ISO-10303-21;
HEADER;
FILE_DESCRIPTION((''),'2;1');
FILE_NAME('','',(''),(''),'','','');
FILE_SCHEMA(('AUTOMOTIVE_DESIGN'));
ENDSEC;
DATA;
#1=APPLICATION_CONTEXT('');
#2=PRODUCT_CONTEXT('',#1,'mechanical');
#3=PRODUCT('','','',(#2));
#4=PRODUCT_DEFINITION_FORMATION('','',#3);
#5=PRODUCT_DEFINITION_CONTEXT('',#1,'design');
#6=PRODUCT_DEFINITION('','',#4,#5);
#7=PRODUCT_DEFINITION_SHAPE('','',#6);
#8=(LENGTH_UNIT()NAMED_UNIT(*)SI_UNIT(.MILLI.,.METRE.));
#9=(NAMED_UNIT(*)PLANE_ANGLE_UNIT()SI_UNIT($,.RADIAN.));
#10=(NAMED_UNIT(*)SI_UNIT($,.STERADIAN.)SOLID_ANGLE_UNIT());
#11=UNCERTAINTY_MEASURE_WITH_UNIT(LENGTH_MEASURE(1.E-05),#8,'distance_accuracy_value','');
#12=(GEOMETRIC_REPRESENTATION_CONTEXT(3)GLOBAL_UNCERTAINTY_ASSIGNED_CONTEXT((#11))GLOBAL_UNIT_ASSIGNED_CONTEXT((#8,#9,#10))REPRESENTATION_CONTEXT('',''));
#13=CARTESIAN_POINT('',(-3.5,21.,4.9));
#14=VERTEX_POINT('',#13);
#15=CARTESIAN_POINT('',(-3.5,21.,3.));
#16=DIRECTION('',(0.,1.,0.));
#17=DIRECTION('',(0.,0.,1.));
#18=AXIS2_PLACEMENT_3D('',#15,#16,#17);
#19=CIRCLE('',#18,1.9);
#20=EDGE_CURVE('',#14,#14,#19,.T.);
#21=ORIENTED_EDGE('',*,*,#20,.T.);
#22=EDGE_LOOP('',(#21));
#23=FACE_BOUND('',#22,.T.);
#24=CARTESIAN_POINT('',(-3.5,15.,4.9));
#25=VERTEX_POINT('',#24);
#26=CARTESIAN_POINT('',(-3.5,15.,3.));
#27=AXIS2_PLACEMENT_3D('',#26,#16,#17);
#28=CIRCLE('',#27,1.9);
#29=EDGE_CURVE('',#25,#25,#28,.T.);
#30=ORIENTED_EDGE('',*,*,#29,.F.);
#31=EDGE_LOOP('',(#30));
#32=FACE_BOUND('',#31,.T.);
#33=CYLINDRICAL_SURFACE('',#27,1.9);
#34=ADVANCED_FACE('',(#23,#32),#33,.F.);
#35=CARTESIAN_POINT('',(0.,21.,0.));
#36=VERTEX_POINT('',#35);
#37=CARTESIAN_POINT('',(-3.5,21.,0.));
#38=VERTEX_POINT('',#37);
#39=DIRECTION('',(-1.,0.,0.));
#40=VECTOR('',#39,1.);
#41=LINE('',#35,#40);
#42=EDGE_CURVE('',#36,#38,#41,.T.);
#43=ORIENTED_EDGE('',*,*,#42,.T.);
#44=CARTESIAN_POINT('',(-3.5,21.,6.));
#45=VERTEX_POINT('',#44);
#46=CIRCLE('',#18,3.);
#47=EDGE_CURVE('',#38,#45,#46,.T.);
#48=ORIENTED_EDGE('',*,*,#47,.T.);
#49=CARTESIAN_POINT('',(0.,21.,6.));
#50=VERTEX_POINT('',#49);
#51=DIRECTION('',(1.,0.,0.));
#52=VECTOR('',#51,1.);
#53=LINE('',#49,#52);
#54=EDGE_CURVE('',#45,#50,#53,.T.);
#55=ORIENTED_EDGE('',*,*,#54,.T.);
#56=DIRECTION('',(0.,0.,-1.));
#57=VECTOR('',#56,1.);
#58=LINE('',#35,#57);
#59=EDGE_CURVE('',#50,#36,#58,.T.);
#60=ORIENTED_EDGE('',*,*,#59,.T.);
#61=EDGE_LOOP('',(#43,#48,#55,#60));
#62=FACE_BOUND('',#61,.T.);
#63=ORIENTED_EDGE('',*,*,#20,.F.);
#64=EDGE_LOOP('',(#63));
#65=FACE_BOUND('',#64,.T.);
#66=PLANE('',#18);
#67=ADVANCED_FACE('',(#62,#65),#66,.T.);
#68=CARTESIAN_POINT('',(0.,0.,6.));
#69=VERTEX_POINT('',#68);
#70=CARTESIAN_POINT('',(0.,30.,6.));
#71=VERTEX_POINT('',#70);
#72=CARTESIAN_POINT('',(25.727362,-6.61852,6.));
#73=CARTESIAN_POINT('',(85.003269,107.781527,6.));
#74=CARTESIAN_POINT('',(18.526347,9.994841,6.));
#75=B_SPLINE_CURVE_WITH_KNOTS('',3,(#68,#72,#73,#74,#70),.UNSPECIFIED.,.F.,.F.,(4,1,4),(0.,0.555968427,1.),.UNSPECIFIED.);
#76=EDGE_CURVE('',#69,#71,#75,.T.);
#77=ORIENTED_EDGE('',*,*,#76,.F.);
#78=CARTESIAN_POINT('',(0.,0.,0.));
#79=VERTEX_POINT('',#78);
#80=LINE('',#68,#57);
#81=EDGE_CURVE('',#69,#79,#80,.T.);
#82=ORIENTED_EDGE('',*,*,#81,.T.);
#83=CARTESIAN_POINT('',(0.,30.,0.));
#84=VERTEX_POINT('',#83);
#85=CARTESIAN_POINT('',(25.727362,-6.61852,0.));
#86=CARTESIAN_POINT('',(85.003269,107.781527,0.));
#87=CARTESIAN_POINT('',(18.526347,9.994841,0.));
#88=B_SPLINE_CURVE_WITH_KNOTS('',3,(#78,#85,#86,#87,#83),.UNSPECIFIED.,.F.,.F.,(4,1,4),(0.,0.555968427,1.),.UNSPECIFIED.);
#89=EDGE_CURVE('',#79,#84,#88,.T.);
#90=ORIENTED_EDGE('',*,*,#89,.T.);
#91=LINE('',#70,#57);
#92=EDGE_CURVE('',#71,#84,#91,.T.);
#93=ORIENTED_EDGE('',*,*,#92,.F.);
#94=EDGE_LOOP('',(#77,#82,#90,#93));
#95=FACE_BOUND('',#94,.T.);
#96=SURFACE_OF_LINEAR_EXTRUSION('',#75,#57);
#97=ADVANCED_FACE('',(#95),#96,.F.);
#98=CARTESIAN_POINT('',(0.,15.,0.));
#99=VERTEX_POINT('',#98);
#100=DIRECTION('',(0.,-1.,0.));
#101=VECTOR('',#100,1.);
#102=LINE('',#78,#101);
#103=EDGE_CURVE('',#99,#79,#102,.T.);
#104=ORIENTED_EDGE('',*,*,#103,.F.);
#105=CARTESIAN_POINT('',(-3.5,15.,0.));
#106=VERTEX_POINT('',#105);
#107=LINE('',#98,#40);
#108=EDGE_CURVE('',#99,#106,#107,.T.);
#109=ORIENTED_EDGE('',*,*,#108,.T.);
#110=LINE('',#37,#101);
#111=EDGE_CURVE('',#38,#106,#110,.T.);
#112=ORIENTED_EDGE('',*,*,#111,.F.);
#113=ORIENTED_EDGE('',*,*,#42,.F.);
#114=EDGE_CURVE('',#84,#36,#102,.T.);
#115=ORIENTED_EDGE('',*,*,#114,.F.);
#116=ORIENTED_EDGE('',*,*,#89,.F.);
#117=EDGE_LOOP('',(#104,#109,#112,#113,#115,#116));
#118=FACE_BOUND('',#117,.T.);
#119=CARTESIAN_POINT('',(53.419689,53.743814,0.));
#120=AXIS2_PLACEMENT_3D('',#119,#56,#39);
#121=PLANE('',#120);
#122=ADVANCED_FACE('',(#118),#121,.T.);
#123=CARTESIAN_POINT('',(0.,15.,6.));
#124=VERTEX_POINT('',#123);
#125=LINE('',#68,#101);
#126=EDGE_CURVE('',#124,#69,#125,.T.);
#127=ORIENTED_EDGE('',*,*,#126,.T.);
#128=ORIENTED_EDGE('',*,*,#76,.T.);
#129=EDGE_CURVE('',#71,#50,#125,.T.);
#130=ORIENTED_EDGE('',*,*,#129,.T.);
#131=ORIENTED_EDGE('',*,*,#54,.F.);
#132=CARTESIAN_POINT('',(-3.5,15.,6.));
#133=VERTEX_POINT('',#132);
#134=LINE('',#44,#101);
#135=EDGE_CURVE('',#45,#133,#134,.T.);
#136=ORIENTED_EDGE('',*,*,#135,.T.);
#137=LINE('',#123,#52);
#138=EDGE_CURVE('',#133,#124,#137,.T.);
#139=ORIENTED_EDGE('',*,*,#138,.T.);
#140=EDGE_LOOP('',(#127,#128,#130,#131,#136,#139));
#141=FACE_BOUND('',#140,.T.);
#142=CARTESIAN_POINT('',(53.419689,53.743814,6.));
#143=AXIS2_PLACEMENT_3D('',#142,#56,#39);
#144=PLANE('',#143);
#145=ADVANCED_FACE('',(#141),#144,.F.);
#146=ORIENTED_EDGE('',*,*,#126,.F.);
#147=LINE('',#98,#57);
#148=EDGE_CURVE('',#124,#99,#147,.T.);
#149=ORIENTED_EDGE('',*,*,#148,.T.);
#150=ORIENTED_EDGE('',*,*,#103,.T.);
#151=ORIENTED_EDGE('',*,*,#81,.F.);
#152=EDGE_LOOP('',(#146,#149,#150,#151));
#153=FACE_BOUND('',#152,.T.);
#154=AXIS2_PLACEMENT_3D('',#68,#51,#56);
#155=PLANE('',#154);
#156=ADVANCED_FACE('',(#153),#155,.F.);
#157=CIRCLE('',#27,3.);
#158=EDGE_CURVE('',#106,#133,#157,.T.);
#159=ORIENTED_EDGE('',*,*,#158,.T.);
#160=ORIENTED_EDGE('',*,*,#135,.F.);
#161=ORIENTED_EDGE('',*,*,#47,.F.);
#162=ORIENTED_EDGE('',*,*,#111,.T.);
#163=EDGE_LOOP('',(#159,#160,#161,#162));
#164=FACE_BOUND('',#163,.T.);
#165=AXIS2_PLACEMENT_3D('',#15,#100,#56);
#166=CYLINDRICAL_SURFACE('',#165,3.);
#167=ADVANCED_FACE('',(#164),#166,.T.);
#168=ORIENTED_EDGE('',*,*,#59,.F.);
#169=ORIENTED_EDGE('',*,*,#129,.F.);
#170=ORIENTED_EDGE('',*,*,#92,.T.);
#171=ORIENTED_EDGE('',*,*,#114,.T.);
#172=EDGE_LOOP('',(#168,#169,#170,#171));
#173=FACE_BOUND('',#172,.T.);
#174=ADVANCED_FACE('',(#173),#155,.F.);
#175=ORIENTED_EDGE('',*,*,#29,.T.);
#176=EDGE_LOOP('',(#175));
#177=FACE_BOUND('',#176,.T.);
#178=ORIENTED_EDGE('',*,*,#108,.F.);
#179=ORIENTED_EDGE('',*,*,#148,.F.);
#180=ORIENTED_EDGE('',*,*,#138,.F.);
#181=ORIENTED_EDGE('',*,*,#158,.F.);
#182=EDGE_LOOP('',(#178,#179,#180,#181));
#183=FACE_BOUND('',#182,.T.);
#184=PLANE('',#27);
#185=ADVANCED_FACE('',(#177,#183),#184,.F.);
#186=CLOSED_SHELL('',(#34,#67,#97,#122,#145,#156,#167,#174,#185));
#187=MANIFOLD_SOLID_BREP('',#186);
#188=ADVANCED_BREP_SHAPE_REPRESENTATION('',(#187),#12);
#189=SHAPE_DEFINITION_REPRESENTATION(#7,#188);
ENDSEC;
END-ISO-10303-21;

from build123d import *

# Parameters (mm, degrees)
SALIENTE_EXTRUIR1_DEPTH = 6
SALIENTE_EXTRUIR2_START = 15
SALIENTE_EXTRUIR2_DEPTH = 6
CROQUIS3_R              = 1.9
CORTAR_EXTRUIR1_DEPTH   = 6


with BuildPart() as part:
    # Croquis1 → Saliente-Extruir1 (new body)
    with BuildSketch(Plane.XY):
        with BuildLine():
            Line((0, 0), (0, 30))
            add(Edge.make_bspline(
                [(0, 0), (25.727362405, -6.618520464), (85.003269104, 107.781526991), (18.526346521, 9.99484145), (0, 30)],
                knots=[0, 0, 0, 0, 0.555968427, 1, 1, 1, 1], degree=3))
        make_face()
    extrude(amount=SALIENTE_EXTRUIR1_DEPTH)

    # Croquis2 → Saliente-Extruir2 (add)
    with BuildSketch(Plane(origin=(0, 0, 0), x_dir=(1, 0, 0), z_dir=(0, 1, 0)).offset(SALIENTE_EXTRUIR2_START)):
        with BuildLine():
            Line((0, 0), (-3.5, 0))
            ThreePointArc((-3.5, 0), (-6.5, -3), (-3.5, -6))
            Line((-3.5, -6), (0, -6))
            Line((0, -6), (0, 0))
        make_face()
    extrude(amount=SALIENTE_EXTRUIR2_DEPTH)

    # Croquis3 → Cortar-Extruir1 (cut)
    with BuildSketch(Plane(origin=(0, 21, 0), x_dir=(1, 0, 0), z_dir=(0, 1, 0))):
        with Locations(Location((-3.5, -3, 0), (0, 0, 270))):
            Circle(CROQUIS3_R)
    extrude(amount=-CORTAR_EXTRUIR1_DEPTH, mode=Mode.SUBTRACT)


solid = part.part
